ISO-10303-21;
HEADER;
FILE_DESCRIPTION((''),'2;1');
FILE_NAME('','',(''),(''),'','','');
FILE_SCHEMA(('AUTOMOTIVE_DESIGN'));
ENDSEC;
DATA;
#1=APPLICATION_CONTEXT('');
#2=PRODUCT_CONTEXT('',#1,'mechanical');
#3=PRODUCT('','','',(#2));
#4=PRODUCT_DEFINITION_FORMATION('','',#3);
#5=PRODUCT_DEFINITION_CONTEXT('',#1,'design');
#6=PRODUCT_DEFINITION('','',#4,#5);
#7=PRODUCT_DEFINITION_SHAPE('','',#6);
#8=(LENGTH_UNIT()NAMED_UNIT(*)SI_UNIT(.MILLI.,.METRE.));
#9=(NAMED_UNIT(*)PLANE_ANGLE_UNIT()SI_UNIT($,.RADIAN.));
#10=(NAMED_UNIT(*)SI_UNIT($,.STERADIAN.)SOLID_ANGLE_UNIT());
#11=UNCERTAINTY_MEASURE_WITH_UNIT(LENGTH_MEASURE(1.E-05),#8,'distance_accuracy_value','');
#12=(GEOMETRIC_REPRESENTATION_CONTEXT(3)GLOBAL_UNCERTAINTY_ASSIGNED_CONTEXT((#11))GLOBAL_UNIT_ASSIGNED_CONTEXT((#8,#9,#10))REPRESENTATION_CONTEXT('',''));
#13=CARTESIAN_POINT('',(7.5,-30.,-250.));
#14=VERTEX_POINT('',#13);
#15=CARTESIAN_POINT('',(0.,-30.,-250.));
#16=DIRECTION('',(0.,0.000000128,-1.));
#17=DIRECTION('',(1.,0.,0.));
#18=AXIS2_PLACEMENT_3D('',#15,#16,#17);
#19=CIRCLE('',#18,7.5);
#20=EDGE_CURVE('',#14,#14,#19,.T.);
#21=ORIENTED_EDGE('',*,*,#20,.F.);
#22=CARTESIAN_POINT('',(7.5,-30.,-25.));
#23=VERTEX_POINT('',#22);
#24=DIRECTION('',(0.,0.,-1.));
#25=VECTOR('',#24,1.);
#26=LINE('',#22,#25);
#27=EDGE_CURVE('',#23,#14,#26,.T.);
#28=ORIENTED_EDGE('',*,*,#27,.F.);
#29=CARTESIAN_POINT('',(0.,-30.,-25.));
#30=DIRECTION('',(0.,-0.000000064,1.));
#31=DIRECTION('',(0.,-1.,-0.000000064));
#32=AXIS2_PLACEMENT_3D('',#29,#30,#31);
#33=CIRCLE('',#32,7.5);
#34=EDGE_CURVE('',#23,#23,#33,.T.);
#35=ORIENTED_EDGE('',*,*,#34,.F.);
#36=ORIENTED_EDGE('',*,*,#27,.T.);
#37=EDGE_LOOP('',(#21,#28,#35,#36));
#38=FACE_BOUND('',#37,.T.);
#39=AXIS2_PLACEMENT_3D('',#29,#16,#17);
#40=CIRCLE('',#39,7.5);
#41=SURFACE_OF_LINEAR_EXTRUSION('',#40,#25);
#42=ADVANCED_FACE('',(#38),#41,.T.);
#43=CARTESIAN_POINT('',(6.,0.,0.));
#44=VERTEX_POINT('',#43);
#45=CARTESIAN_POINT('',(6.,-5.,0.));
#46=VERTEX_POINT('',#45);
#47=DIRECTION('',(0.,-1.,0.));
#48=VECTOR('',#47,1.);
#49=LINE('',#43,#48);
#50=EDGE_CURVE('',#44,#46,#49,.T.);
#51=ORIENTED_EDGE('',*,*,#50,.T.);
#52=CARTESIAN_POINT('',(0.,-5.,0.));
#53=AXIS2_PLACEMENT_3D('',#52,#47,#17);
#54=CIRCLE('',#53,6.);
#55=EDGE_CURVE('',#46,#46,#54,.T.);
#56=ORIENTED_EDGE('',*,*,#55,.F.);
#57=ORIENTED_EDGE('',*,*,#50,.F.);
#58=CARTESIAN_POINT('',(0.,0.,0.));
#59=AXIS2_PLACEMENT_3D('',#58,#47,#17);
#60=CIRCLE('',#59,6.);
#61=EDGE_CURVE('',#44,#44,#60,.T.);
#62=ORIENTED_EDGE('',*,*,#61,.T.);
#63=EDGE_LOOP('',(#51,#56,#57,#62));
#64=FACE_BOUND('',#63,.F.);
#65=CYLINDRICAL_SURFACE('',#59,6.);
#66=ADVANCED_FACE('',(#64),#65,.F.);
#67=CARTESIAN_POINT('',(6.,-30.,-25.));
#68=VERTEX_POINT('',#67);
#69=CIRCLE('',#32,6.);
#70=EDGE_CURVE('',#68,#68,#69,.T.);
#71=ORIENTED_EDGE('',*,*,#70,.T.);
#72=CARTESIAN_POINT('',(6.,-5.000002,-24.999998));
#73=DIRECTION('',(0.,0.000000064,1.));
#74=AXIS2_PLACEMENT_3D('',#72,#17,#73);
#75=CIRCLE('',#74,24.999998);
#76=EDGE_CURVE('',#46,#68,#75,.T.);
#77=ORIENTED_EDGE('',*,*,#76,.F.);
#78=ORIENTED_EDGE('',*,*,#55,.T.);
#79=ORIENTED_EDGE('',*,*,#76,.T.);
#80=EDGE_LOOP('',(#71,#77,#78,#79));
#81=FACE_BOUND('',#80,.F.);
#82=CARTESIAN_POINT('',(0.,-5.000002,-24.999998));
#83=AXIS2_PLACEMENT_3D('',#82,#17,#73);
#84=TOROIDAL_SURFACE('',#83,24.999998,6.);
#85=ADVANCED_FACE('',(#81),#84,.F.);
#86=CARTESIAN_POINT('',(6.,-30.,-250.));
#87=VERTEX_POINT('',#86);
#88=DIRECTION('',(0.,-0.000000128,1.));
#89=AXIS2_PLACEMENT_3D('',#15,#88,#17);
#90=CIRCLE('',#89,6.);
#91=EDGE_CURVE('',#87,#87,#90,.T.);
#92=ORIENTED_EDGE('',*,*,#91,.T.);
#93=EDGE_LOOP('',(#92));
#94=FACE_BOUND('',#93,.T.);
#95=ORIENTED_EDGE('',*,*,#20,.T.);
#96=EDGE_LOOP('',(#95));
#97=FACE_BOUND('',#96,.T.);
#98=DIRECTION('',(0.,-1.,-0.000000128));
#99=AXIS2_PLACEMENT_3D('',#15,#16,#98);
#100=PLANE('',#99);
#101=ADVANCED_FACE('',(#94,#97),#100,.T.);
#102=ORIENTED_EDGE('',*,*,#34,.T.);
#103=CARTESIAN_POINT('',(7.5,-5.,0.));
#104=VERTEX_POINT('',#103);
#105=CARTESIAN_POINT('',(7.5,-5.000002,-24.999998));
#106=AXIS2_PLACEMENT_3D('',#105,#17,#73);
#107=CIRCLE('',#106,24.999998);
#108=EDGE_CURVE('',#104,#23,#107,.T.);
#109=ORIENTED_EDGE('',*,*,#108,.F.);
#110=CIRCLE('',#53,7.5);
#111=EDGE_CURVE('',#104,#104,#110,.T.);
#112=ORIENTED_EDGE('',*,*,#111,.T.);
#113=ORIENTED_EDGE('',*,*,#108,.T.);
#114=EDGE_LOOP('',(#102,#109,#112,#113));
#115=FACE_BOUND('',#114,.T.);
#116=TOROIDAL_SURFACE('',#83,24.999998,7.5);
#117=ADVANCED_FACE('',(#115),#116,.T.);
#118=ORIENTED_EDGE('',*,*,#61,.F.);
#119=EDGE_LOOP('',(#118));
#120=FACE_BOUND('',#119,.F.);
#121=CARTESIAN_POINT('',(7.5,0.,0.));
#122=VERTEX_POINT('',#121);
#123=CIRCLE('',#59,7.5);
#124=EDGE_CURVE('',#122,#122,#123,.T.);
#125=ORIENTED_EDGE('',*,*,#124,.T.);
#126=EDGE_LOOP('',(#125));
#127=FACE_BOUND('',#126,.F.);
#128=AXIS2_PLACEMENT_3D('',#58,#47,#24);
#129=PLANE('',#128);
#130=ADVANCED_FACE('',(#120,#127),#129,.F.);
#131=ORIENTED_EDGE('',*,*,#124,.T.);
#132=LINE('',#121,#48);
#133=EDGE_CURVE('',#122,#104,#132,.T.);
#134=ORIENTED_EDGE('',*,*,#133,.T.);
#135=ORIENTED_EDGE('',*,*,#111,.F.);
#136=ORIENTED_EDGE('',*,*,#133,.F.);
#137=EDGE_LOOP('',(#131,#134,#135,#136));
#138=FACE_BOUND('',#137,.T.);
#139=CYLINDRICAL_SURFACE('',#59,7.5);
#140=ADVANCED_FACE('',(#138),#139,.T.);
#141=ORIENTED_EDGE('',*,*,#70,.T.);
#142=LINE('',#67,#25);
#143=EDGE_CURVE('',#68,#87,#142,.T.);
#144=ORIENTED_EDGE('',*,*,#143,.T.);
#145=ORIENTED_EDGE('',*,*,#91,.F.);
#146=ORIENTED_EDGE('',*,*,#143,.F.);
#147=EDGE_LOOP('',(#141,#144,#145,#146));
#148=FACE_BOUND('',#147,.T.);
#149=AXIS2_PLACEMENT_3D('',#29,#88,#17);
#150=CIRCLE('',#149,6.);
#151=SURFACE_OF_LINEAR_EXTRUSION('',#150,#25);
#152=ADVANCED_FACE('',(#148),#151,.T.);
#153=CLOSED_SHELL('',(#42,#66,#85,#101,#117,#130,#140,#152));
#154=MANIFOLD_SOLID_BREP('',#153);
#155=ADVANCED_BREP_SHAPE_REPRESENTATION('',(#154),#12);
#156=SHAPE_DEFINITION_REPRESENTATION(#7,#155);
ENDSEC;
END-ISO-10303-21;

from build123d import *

# Parameters (mm, degrees)
F1_R   = 7.5
F1_R_2 = 6


with BuildPart() as f2:
    # F2: sweep along a path in F0
    with BuildLine(Plane.YZ) as f2_path:
        Line((0, 0), (-5, 0))
        ThreePointArc((-5, 0), (-22.67767, -7.32233), (-30, -25))
        Line((-30, -25), (-30, -250))
    # F1 (on Front) → F2 (sweep)
    with BuildSketch(Plane.XZ):
        Circle(F1_R)
        Circle(F1_R_2, mode=Mode.SUBTRACT)
    sweep(path=f2_path.line)


solid = f2.part
